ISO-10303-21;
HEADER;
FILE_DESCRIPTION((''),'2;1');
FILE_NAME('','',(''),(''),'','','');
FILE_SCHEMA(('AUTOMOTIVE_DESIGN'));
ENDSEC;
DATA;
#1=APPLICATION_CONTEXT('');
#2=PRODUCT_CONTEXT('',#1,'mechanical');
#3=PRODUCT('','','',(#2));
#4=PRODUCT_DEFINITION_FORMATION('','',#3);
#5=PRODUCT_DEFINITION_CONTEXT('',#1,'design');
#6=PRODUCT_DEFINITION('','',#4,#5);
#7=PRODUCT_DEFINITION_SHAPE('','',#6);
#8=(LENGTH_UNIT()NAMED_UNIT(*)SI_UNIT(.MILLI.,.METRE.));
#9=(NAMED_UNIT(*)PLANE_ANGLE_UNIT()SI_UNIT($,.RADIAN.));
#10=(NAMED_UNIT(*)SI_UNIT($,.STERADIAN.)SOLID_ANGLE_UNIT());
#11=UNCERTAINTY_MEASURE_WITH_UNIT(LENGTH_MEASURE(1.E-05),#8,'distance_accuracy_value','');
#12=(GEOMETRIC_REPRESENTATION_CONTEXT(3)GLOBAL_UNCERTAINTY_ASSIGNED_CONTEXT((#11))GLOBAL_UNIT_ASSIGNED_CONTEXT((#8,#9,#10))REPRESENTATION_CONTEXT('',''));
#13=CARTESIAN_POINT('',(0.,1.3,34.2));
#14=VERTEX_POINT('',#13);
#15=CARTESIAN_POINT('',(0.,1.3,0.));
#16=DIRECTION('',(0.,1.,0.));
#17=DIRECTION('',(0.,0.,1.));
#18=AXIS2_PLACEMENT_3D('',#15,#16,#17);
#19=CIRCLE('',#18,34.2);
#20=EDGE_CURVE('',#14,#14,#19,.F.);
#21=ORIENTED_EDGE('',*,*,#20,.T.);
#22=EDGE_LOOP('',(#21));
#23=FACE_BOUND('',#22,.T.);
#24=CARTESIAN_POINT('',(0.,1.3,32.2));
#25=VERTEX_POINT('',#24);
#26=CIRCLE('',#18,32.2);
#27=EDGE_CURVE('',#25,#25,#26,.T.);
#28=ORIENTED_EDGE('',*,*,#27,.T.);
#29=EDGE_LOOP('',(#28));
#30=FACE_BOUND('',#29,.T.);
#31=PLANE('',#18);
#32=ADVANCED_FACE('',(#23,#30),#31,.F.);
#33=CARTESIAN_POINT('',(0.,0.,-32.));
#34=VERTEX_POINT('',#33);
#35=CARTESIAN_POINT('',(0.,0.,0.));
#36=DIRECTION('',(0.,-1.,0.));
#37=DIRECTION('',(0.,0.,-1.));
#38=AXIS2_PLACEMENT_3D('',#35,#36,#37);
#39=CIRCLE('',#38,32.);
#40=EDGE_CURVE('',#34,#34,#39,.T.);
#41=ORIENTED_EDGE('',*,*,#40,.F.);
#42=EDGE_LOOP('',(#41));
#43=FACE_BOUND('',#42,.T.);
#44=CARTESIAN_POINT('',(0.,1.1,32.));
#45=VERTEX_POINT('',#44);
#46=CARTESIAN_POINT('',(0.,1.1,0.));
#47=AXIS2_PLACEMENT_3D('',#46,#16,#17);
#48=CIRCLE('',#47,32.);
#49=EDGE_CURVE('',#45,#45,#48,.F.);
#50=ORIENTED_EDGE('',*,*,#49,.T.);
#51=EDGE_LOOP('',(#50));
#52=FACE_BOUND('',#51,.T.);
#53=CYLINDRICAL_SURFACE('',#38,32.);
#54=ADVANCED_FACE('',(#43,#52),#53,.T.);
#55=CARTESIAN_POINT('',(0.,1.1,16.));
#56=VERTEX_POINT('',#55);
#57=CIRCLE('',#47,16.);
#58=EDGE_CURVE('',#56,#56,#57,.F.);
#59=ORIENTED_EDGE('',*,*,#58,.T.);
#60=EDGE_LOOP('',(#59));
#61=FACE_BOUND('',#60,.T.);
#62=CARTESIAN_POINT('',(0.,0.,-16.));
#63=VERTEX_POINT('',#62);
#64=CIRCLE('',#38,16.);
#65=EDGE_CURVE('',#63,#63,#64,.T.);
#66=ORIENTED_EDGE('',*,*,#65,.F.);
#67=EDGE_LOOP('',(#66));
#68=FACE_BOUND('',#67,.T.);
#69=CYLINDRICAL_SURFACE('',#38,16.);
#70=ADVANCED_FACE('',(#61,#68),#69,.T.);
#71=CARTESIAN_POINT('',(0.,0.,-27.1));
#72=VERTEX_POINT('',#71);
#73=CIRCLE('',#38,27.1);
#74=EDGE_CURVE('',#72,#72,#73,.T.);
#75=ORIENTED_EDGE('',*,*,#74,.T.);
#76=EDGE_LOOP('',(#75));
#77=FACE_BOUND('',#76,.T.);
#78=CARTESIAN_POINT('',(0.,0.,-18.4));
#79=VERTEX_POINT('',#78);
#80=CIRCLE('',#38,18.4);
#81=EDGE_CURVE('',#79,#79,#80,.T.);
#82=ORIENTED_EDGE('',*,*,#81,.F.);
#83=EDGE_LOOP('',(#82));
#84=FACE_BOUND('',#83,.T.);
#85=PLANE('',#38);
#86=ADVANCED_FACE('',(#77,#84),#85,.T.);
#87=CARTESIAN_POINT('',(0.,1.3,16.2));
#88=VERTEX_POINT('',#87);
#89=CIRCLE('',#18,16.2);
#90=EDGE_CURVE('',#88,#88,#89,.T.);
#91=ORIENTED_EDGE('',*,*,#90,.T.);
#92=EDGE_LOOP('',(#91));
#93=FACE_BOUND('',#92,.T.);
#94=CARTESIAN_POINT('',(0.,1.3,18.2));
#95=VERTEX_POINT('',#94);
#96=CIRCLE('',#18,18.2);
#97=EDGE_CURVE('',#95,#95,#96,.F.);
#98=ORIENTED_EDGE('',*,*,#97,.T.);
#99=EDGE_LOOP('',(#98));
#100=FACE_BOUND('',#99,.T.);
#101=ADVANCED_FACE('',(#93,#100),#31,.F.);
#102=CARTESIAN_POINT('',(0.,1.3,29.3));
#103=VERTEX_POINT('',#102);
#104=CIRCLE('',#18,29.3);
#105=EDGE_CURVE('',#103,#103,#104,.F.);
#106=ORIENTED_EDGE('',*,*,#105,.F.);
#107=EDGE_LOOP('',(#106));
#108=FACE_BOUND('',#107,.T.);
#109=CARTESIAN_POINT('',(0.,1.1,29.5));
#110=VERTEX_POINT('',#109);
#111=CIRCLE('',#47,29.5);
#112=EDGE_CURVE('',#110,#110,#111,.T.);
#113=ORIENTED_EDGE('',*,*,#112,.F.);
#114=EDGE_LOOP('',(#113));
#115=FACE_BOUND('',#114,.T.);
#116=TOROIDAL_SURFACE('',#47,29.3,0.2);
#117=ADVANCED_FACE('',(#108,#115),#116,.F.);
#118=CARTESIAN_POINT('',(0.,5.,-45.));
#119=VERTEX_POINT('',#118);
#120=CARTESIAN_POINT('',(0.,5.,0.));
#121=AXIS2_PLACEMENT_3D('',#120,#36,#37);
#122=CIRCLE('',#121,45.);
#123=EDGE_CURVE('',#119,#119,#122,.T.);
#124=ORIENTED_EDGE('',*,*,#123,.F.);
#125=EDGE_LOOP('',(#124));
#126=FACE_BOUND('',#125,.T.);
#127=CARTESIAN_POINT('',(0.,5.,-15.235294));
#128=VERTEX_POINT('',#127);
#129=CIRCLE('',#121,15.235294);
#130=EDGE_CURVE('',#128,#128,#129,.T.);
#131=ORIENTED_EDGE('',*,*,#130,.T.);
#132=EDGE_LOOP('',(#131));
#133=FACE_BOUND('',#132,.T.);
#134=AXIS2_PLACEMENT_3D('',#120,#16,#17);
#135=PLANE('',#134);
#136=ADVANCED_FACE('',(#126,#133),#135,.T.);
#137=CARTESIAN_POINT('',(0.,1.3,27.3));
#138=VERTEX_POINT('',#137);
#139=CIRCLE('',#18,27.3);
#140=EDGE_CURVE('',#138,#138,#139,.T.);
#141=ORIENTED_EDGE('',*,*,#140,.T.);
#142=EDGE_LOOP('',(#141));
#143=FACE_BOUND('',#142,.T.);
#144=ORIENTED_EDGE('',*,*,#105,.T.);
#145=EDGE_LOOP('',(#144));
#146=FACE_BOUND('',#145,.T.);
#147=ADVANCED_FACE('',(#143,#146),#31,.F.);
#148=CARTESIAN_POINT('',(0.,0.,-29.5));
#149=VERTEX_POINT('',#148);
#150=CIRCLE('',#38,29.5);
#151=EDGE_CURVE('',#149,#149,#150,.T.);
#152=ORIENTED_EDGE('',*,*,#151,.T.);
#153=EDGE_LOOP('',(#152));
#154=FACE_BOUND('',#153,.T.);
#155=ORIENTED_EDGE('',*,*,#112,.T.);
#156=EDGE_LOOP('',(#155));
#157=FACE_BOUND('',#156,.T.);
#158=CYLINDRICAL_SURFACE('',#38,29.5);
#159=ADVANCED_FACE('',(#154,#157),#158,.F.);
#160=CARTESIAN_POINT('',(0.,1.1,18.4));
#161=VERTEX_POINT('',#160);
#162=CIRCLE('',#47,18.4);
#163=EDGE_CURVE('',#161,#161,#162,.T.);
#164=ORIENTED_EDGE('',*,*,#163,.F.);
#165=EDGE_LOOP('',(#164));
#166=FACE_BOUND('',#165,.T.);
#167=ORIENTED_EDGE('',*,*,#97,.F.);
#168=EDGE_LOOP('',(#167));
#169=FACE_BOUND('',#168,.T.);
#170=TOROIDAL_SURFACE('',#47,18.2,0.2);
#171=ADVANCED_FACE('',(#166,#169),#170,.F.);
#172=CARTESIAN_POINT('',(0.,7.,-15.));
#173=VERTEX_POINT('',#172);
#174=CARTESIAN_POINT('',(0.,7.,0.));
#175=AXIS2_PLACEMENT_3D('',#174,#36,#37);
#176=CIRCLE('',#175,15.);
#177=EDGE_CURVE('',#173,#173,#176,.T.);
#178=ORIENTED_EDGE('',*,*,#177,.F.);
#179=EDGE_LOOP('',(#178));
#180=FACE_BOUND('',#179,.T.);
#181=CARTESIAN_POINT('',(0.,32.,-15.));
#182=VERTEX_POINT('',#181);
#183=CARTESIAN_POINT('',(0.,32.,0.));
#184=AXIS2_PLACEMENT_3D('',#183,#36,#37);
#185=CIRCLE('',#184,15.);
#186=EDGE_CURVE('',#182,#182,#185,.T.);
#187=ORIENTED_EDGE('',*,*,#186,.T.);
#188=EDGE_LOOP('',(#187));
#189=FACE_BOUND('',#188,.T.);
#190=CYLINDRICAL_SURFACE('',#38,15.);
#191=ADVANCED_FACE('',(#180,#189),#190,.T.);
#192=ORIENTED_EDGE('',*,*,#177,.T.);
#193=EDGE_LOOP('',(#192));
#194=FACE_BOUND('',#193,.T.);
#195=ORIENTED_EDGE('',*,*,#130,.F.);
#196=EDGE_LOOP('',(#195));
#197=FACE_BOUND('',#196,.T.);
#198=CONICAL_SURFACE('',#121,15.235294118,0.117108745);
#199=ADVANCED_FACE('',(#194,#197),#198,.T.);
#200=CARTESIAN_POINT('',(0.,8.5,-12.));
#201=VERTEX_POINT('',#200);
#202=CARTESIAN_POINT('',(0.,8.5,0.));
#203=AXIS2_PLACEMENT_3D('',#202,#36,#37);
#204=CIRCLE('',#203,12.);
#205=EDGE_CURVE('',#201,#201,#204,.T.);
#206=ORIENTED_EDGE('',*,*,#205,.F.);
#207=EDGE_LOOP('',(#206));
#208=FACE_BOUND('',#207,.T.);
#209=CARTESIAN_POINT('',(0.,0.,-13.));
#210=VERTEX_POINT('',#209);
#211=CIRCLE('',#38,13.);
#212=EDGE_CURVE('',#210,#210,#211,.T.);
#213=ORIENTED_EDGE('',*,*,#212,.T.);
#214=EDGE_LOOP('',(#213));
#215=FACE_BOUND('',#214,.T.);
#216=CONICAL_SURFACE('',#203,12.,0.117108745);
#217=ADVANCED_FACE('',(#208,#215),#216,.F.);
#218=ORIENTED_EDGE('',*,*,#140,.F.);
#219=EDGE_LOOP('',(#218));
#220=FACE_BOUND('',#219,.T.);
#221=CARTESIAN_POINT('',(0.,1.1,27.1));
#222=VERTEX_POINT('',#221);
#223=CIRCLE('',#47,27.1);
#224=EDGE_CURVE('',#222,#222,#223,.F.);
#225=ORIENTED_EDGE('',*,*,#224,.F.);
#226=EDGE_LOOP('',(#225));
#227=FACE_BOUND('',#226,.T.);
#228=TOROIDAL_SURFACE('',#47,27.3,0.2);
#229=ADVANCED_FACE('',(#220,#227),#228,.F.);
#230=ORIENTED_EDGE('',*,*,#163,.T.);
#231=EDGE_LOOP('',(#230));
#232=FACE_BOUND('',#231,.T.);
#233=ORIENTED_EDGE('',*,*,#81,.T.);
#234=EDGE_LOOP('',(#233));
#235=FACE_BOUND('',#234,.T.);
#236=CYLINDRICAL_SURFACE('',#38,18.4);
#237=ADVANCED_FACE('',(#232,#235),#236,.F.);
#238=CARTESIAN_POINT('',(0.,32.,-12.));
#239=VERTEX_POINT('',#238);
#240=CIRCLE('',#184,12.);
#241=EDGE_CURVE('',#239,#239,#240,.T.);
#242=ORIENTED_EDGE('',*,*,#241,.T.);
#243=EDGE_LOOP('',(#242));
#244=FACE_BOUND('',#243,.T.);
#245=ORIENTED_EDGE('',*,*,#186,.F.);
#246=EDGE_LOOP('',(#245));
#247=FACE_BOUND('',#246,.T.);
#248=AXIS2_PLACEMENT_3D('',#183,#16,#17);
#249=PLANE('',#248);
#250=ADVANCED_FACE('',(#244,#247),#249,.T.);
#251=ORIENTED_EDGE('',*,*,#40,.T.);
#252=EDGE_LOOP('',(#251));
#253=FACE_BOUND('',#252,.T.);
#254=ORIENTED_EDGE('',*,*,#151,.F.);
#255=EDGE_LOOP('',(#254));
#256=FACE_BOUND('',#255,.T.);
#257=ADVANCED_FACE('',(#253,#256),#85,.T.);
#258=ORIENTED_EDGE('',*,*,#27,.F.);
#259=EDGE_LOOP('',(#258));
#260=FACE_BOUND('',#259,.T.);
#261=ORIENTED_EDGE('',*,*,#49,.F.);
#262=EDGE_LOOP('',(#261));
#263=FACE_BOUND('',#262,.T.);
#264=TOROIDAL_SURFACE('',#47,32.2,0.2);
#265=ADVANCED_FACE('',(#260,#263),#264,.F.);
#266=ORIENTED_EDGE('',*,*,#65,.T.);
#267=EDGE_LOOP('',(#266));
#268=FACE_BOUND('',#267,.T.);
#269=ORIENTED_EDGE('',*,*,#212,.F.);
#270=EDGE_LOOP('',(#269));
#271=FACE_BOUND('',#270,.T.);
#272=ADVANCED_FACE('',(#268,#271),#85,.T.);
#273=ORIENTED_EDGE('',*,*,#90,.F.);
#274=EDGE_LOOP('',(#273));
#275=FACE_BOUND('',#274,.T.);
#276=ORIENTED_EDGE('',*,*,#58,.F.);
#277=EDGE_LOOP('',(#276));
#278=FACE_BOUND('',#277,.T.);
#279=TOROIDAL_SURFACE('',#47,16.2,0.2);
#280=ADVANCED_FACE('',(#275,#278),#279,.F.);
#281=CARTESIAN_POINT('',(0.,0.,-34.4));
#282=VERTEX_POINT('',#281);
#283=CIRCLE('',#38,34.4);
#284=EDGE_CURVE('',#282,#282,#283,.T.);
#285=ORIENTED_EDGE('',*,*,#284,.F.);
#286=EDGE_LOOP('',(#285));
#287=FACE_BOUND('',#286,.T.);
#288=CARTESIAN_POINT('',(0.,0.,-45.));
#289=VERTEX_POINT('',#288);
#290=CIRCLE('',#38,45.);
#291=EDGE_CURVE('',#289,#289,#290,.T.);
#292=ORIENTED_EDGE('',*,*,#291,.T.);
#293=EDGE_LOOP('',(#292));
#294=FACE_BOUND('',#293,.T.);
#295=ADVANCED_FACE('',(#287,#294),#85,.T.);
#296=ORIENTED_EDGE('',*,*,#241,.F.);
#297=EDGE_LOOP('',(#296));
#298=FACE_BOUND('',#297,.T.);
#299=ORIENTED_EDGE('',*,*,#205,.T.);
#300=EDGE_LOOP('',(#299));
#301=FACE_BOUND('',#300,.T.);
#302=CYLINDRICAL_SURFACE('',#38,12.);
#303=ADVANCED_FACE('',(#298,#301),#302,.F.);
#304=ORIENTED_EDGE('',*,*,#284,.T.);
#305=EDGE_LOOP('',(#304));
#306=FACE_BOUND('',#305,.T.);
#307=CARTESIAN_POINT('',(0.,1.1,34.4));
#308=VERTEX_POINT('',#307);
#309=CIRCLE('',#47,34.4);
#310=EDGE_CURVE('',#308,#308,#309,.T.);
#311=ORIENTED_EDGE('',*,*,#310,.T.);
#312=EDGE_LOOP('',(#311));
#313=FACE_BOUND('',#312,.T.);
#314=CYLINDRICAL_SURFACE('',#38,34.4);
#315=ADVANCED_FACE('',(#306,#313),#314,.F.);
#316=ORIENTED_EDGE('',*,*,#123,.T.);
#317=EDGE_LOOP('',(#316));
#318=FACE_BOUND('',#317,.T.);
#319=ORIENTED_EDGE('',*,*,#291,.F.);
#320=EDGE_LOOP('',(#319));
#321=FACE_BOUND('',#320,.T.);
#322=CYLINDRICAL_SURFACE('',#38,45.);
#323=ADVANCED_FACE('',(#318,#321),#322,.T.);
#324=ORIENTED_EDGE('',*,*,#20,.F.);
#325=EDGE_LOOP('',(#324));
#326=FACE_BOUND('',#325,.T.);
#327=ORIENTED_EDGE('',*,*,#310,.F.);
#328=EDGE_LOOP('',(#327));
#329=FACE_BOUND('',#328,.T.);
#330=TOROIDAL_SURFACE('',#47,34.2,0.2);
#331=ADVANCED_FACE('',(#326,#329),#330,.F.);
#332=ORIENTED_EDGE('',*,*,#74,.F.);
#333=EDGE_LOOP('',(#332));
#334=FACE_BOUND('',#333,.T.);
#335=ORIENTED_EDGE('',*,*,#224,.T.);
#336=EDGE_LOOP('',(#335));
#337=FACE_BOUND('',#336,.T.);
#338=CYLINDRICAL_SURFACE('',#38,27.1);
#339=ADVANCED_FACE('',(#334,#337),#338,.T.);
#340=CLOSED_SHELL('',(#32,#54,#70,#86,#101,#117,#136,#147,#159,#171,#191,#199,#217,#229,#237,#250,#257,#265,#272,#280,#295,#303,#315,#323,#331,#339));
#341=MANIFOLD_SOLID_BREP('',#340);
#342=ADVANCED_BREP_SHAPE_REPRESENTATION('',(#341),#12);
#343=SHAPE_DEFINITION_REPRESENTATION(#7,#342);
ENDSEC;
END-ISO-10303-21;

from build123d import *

# Parameters (mm, degrees)
RACCORDO2_R = 0.2


with BuildPart() as part:
    # Schizzo1 → Rivoluzione1 (revolve)
    with BuildSketch(Plane.XY, mode=Mode.PRIVATE) as rivoluzione1_sk:
        Polygon((-45, 5), (-45, 0), (-34.4, 0), (-34.4, 1.3), (-32, 1.3), (-32, 0), (-29.5, 0), (-29.5, 1.3), (-27.1, 1.3), (-27.1, 0), (-24, 0), (-18.4, 0), (-18.4, 1.3), (-16, 1.3), (-16, 0), (-13, 0), (-12, 8.5), (-12, 32), (-15, 32), (-15, 7), (-15.235294118, 5), align=None)
    revolve(rivoluzione1_sk.sketch.rotate(Axis((0, 0, 0), (0, 1, 0)), 270), axis=Axis((0, 0, 0), (0, 1, 0)))

    # Raccordo2
    raccordo2_edges = [part.edges().sort_by_distance(p)[0] for p in [
        (0, 1.3, 16),
        (0, 1.3, 18.4),
        (0, 1.3, 27.1),
        (0, 1.3, 29.5),
        (0, 1.3, 32),
        (0, 1.3, 34.4),
    ]]
    fillet(raccordo2_edges, radius=RACCORDO2_R)


solid = part.part
